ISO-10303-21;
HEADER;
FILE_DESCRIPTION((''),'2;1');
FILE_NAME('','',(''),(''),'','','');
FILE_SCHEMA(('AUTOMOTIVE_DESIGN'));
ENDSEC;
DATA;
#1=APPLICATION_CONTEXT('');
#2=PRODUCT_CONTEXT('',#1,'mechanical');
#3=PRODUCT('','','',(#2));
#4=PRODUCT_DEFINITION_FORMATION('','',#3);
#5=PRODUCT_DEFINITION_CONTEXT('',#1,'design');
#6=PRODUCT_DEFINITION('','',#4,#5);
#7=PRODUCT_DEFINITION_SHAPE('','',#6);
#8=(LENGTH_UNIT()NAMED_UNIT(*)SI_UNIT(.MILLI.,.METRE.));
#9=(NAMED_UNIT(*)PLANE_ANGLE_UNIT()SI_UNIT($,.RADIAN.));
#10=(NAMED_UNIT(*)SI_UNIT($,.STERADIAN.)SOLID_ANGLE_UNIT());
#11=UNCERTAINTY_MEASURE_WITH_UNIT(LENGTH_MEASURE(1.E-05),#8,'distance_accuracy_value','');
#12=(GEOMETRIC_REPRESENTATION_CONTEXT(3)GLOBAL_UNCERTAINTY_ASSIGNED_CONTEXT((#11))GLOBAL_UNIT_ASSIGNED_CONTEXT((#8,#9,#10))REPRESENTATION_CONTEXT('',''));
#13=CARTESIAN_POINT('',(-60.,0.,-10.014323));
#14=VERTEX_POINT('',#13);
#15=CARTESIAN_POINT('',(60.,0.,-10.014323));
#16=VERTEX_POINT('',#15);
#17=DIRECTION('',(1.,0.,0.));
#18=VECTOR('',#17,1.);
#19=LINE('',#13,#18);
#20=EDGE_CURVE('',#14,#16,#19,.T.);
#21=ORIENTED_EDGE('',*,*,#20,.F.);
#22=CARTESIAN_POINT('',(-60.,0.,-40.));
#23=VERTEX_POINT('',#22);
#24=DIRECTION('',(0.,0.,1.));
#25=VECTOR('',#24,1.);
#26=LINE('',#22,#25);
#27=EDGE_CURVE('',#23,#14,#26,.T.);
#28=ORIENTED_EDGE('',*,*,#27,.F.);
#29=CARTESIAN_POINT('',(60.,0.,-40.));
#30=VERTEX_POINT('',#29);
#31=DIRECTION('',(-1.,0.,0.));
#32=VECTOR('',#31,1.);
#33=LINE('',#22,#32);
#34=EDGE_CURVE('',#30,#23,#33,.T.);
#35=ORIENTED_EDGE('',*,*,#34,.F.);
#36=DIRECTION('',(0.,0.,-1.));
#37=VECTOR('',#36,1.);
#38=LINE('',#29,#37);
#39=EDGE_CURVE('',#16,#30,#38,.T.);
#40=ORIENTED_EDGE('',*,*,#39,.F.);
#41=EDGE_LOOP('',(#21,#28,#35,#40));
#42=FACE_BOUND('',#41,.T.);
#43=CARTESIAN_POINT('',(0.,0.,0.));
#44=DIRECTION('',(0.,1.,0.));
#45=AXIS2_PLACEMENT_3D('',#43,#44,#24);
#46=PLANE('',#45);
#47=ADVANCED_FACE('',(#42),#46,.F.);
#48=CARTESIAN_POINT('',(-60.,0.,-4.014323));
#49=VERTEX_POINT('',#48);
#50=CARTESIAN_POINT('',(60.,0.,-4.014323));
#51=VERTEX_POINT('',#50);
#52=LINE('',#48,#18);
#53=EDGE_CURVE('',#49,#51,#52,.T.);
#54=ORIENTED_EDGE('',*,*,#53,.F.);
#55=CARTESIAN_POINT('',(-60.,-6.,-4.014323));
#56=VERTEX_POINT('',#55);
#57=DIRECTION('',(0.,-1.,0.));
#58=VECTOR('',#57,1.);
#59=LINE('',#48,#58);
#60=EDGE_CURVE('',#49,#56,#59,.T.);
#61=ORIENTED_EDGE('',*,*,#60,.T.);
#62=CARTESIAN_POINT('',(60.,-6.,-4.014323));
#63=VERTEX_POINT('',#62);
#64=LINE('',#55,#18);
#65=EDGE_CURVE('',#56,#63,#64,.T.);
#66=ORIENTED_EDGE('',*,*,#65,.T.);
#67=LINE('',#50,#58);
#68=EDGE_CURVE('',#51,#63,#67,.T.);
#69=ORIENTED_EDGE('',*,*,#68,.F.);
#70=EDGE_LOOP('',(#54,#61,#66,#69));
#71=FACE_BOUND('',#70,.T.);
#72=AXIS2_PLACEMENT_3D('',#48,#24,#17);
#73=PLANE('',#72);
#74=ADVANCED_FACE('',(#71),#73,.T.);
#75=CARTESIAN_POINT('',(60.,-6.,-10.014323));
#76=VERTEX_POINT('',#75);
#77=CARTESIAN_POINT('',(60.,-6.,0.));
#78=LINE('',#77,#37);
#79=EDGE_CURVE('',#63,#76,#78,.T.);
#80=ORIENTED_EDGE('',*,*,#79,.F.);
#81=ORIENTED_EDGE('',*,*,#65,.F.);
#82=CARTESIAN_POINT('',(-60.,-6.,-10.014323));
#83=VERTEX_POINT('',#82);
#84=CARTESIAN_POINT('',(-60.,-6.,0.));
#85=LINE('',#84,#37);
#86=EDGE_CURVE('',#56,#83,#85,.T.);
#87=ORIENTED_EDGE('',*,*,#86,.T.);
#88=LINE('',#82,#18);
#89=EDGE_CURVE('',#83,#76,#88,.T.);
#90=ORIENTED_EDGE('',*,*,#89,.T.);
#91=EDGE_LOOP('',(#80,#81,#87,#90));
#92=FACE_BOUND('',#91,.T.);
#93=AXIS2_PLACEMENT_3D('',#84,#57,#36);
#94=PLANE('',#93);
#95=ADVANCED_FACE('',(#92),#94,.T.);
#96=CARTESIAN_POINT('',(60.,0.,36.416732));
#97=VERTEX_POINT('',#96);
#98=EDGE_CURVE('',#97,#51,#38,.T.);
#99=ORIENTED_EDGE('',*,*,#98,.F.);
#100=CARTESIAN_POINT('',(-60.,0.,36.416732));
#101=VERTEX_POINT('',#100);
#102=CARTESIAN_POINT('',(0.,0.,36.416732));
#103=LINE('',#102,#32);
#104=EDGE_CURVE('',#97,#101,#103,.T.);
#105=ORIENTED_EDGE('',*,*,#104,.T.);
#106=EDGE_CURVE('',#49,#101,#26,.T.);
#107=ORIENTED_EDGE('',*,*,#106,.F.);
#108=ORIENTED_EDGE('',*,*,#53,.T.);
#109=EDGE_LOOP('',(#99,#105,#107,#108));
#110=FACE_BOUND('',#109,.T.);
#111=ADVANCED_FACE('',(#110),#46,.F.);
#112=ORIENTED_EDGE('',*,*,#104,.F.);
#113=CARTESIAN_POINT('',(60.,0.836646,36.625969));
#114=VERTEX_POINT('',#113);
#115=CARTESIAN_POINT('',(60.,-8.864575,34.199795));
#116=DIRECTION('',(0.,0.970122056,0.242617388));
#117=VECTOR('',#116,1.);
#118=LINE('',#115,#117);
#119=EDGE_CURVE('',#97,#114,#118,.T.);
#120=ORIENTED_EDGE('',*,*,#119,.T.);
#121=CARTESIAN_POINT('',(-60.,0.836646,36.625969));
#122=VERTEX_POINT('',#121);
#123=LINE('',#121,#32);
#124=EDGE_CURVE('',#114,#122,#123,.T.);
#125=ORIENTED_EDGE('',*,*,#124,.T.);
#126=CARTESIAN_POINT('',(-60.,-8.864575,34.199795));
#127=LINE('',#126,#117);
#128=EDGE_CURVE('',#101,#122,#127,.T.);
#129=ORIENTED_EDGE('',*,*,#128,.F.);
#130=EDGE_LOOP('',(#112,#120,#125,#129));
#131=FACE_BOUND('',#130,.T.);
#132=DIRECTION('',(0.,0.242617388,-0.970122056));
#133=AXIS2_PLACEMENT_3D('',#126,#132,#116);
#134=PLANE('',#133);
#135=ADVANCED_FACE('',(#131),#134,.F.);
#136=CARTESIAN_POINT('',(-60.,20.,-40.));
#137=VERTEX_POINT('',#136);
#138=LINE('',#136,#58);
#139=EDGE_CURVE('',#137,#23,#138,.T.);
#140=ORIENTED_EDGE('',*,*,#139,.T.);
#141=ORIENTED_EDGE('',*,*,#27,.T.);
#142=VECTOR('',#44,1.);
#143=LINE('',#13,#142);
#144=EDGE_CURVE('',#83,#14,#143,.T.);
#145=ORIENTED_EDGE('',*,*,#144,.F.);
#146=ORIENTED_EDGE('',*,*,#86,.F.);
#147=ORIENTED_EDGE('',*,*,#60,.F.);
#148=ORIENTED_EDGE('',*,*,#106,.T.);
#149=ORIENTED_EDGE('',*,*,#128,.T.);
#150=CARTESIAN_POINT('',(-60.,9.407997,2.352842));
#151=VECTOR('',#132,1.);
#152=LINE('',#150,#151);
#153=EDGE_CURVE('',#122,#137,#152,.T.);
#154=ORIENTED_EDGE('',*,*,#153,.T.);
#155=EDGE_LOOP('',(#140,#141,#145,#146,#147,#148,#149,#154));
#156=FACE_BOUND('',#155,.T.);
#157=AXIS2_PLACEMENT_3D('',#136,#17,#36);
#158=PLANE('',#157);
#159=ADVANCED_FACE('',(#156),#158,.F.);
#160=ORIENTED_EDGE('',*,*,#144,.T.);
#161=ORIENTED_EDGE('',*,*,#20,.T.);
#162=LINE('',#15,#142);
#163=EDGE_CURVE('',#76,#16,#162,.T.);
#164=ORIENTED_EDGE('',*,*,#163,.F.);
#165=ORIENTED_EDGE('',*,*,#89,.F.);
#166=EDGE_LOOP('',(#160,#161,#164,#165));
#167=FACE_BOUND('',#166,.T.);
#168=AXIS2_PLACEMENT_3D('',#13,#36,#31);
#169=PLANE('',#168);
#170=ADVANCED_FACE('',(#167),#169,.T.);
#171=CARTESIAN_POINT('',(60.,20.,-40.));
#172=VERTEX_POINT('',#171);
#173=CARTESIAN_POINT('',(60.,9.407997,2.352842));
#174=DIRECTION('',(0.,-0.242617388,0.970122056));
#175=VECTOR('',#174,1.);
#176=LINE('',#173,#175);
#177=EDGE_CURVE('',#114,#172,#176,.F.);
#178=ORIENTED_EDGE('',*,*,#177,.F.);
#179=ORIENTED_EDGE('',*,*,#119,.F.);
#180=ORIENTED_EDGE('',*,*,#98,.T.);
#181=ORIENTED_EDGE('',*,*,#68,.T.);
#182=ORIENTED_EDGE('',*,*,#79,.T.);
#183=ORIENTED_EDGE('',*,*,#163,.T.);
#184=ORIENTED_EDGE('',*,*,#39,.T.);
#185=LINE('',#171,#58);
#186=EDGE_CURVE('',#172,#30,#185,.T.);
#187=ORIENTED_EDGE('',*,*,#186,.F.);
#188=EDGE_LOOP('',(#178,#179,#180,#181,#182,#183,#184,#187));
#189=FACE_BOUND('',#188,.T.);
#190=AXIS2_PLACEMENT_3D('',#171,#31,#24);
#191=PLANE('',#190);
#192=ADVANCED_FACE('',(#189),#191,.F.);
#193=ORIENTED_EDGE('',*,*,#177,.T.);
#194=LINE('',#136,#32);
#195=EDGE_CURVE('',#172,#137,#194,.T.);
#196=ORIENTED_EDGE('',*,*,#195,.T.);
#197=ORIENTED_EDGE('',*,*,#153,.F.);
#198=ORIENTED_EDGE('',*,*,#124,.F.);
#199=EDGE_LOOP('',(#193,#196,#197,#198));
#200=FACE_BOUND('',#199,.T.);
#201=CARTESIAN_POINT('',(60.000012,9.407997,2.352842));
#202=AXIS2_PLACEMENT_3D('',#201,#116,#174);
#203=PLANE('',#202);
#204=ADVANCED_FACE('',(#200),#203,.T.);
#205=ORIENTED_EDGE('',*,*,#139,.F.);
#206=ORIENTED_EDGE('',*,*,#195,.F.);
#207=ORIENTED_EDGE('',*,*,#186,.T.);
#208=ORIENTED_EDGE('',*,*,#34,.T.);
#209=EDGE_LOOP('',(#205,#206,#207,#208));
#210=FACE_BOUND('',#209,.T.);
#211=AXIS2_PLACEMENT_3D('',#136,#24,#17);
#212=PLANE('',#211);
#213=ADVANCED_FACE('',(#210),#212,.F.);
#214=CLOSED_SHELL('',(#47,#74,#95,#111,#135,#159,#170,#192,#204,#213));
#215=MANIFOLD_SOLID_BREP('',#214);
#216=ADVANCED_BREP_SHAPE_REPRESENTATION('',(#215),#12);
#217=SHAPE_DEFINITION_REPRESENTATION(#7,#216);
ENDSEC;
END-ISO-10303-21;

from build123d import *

# Parameters (mm, degrees)
SKETCH3_W               = 120
SKETCH3_H               = 80
BOSS_EXTRUDE1_DEPTH     = 20
CUT_EXTRUDE3_DEPTH      = 129.062484749
CUT_EXTRUDE3_DEPTH_BACK = 120
SKETCH5_W               = 6
SKETCH5_H               = 6
BOSS_EXTRUDE2_DEPTH     = 120
SKETCH6_W               = 120
SKETCH6_H               = 3.448417199
CUT_EXTRUDE4_DEPTH      = 10


with BuildPart() as part:
    # Sketch3 → Boss-Extrude1 (new body)
    with BuildSketch(Plane(origin=(0, 0, 0), x_dir=(1, 0, 0), z_dir=(0, 1, 0))):
        Rectangle(SKETCH3_W, SKETCH3_H)
    extrude(amount=BOSS_EXTRUDE1_DEPTH)

    # Sketch4 → Cut-Extrude3 (cut, two sides: drawn at the far end of the back side and taken through both)
    with BuildSketch(Plane(origin=(60, 0, 0), x_dir=(0, 0, -1), z_dir=(1, 0, 0)).offset(-CUT_EXTRUDE3_DEPTH_BACK)):
        Polygon((-40, 20), (-40, 0), (-39.971354494, 0), (40, 20), align=None)
    extrude(amount=CUT_EXTRUDE3_DEPTH + CUT_EXTRUDE3_DEPTH_BACK, mode=Mode.SUBTRACT)

    # Sketch5 → Boss-Extrude2 (add)
    with BuildSketch(Plane(origin=(60, 0, 0), x_dir=(0, 0, -1), z_dir=(1, 0, 0))):
        with Locations((7.014322753, -3)):
            Rectangle(SKETCH5_W, SKETCH5_H)
    extrude(amount=-BOSS_EXTRUDE2_DEPTH)

    # Sketch6 → Cut-Extrude4 (cut)
    with BuildSketch(Plane(origin=(0, 9.407996907, 2.352841706), x_dir=(1, 0, 0), z_dir=(0, 0.9701220558238487, 0.2426173876788501))):
        with Locations((0, -37.052883997)):
            Rectangle(SKETCH6_W, SKETCH6_H)
    extrude(amount=-CUT_EXTRUDE4_DEPTH, mode=Mode.SUBTRACT)


solid = part.part
